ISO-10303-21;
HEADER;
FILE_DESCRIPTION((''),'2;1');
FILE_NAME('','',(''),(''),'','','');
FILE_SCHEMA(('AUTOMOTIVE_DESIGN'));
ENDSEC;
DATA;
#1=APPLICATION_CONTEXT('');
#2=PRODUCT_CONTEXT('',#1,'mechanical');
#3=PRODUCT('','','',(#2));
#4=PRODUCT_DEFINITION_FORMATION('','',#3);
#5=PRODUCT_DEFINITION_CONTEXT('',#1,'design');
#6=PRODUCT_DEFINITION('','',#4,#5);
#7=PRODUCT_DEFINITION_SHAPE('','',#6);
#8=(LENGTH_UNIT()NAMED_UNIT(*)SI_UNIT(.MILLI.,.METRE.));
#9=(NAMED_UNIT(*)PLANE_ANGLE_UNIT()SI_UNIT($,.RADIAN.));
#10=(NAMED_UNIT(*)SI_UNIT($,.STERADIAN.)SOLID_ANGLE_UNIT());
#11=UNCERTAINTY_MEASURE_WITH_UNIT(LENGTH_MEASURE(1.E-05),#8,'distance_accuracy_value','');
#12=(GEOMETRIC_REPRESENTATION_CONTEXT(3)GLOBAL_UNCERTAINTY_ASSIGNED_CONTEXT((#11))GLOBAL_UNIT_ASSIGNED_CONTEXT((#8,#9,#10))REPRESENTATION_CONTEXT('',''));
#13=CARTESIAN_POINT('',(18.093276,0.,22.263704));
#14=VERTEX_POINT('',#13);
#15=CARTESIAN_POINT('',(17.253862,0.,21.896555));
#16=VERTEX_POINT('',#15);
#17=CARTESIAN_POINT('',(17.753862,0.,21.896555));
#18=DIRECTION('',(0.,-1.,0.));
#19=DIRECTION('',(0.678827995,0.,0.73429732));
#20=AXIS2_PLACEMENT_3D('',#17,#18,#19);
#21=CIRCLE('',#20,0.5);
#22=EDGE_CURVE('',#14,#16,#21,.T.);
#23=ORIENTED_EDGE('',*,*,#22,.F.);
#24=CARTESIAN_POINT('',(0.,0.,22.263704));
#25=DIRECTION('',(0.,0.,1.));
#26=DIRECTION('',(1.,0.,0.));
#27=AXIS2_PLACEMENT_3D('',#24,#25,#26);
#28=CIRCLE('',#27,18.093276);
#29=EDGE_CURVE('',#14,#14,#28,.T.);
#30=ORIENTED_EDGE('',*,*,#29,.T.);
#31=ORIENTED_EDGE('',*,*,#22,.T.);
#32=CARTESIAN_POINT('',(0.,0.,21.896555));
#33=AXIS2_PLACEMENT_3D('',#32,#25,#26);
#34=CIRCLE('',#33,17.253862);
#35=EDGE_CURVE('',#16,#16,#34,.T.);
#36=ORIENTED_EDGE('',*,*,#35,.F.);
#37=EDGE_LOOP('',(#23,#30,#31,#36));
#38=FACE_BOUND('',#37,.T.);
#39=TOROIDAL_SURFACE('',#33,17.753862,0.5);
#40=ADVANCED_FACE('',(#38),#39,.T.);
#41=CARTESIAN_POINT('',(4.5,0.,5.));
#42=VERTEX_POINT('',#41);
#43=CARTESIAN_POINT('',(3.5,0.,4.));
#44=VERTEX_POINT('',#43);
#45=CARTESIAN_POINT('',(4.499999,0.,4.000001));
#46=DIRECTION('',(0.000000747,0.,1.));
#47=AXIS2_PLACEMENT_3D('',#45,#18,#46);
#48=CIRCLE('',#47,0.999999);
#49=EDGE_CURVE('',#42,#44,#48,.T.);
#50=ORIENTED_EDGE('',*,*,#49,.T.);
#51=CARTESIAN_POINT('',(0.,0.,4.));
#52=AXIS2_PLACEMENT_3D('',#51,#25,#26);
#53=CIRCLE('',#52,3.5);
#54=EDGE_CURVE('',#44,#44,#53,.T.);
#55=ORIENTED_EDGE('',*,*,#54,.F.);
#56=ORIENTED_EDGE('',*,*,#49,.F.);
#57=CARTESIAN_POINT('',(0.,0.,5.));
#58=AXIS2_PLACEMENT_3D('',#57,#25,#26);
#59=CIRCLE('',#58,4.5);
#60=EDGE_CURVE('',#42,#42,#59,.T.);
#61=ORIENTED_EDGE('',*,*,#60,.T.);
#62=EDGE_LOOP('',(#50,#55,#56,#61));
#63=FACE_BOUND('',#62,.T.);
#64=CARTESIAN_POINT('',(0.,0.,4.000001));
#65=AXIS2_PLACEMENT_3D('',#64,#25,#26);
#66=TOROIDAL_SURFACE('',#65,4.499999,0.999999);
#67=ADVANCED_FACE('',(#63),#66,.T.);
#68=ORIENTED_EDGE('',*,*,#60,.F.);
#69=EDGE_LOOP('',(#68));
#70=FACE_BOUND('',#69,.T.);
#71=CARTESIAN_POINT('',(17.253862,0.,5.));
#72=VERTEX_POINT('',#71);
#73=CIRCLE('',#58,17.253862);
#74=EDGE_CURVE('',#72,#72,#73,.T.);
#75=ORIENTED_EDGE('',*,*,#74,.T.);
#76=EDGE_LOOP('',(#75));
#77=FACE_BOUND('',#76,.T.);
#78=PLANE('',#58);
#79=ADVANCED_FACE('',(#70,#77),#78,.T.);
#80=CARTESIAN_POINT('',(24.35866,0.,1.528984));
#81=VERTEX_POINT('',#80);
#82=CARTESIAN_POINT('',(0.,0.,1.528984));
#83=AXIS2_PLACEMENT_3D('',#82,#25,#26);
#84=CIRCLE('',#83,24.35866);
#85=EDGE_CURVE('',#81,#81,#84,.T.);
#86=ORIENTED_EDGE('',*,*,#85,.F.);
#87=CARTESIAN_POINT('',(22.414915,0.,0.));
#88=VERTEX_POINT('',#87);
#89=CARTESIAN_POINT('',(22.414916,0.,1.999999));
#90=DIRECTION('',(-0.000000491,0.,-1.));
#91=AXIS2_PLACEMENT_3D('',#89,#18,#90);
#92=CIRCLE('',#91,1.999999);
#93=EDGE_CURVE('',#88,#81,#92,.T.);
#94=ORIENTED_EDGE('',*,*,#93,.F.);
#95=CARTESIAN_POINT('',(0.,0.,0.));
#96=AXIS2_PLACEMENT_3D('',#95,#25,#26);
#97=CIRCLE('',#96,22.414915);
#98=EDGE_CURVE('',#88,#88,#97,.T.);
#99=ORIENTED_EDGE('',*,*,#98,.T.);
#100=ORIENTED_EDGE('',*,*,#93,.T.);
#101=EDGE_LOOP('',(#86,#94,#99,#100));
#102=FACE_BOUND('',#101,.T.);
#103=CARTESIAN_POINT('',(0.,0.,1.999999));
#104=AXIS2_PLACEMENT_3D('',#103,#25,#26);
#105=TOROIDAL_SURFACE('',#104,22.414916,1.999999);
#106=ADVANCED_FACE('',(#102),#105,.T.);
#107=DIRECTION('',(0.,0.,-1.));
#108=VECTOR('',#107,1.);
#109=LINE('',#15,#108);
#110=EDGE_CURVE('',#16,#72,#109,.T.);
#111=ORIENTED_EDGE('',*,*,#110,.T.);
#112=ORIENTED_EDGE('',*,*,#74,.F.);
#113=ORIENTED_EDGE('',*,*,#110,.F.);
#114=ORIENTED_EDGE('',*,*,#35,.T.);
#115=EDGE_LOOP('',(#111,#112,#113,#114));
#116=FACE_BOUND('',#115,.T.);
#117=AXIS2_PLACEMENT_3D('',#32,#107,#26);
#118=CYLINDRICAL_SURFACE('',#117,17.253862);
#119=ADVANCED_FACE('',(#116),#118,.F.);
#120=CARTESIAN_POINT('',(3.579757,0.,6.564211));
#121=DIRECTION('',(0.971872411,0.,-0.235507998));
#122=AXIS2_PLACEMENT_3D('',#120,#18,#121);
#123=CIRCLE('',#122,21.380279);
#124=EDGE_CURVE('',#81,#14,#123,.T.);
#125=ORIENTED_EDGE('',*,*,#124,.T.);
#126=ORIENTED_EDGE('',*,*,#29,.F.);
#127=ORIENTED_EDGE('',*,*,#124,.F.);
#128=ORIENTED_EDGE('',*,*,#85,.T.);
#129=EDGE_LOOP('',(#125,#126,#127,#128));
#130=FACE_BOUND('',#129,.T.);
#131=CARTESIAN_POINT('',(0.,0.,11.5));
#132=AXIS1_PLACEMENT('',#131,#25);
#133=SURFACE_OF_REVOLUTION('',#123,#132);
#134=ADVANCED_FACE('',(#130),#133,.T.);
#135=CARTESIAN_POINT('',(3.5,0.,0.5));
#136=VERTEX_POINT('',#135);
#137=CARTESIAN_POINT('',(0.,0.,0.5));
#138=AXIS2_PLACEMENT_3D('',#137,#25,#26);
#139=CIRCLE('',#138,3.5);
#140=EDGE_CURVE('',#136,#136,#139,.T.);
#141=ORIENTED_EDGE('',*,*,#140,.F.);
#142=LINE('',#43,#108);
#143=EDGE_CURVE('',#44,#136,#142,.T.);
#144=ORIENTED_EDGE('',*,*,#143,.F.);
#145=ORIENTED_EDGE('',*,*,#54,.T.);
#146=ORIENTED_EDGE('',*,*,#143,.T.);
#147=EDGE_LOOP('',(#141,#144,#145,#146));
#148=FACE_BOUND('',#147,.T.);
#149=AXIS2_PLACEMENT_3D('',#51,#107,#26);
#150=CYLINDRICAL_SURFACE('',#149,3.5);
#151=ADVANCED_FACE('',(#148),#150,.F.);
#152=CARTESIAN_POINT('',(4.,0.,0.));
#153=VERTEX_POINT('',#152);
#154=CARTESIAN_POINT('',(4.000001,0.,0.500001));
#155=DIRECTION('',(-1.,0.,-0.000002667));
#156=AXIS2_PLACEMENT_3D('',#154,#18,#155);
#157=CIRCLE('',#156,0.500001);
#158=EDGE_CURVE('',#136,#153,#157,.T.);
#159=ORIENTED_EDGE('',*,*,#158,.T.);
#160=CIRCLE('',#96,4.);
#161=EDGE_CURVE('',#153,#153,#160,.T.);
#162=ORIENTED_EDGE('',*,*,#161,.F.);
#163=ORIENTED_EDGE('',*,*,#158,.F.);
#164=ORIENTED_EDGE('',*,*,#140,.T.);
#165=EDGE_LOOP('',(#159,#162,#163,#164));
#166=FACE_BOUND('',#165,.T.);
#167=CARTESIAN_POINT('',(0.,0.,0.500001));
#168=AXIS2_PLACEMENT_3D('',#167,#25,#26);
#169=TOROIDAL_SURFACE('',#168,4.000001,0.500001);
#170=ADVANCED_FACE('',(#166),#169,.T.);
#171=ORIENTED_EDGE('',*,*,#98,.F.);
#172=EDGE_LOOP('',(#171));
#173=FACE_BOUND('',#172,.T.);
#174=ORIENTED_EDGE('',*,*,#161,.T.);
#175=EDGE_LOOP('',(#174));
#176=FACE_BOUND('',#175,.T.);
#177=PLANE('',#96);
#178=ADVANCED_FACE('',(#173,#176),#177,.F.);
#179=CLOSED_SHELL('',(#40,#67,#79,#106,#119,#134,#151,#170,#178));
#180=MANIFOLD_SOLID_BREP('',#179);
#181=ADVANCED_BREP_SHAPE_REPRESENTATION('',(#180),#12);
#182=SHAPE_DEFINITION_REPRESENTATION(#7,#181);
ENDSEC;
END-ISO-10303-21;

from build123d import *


with BuildPart() as f1:
    # F0 (on Front) → F1 (revolve)
    with BuildSketch(Plane.XZ):
        with BuildLine():
            ThreePointArc((3.5, 0.5), (3.646447, 0.146447), (4, 0))
            Line((4, 0), (22.414915, 0))
            ThreePointArc((22.414915, 0), (23.651436, 0.428053), (24.35866, 1.528984))
            ThreePointArc((24.35866, 1.528984), (24.046093, 12.748498), (18.093276, 22.263704))
            ThreePointArc((18.093276, 22.263704), (17.553496, 22.354653), (17.253862, 21.896555))
            Line((17.253862, 21.896555), (17.253862, 5))
            Line((17.253862, 5), (4.5, 5))
            ThreePointArc((4.5, 5), (3.792893, 4.707107), (3.5, 4))
            Line((3.5, 4), (3.5, 0.5))
        make_face()
    revolve(axis=Axis((0, 0, 11.5), (0, 0, 1)))


solid = f1.part
